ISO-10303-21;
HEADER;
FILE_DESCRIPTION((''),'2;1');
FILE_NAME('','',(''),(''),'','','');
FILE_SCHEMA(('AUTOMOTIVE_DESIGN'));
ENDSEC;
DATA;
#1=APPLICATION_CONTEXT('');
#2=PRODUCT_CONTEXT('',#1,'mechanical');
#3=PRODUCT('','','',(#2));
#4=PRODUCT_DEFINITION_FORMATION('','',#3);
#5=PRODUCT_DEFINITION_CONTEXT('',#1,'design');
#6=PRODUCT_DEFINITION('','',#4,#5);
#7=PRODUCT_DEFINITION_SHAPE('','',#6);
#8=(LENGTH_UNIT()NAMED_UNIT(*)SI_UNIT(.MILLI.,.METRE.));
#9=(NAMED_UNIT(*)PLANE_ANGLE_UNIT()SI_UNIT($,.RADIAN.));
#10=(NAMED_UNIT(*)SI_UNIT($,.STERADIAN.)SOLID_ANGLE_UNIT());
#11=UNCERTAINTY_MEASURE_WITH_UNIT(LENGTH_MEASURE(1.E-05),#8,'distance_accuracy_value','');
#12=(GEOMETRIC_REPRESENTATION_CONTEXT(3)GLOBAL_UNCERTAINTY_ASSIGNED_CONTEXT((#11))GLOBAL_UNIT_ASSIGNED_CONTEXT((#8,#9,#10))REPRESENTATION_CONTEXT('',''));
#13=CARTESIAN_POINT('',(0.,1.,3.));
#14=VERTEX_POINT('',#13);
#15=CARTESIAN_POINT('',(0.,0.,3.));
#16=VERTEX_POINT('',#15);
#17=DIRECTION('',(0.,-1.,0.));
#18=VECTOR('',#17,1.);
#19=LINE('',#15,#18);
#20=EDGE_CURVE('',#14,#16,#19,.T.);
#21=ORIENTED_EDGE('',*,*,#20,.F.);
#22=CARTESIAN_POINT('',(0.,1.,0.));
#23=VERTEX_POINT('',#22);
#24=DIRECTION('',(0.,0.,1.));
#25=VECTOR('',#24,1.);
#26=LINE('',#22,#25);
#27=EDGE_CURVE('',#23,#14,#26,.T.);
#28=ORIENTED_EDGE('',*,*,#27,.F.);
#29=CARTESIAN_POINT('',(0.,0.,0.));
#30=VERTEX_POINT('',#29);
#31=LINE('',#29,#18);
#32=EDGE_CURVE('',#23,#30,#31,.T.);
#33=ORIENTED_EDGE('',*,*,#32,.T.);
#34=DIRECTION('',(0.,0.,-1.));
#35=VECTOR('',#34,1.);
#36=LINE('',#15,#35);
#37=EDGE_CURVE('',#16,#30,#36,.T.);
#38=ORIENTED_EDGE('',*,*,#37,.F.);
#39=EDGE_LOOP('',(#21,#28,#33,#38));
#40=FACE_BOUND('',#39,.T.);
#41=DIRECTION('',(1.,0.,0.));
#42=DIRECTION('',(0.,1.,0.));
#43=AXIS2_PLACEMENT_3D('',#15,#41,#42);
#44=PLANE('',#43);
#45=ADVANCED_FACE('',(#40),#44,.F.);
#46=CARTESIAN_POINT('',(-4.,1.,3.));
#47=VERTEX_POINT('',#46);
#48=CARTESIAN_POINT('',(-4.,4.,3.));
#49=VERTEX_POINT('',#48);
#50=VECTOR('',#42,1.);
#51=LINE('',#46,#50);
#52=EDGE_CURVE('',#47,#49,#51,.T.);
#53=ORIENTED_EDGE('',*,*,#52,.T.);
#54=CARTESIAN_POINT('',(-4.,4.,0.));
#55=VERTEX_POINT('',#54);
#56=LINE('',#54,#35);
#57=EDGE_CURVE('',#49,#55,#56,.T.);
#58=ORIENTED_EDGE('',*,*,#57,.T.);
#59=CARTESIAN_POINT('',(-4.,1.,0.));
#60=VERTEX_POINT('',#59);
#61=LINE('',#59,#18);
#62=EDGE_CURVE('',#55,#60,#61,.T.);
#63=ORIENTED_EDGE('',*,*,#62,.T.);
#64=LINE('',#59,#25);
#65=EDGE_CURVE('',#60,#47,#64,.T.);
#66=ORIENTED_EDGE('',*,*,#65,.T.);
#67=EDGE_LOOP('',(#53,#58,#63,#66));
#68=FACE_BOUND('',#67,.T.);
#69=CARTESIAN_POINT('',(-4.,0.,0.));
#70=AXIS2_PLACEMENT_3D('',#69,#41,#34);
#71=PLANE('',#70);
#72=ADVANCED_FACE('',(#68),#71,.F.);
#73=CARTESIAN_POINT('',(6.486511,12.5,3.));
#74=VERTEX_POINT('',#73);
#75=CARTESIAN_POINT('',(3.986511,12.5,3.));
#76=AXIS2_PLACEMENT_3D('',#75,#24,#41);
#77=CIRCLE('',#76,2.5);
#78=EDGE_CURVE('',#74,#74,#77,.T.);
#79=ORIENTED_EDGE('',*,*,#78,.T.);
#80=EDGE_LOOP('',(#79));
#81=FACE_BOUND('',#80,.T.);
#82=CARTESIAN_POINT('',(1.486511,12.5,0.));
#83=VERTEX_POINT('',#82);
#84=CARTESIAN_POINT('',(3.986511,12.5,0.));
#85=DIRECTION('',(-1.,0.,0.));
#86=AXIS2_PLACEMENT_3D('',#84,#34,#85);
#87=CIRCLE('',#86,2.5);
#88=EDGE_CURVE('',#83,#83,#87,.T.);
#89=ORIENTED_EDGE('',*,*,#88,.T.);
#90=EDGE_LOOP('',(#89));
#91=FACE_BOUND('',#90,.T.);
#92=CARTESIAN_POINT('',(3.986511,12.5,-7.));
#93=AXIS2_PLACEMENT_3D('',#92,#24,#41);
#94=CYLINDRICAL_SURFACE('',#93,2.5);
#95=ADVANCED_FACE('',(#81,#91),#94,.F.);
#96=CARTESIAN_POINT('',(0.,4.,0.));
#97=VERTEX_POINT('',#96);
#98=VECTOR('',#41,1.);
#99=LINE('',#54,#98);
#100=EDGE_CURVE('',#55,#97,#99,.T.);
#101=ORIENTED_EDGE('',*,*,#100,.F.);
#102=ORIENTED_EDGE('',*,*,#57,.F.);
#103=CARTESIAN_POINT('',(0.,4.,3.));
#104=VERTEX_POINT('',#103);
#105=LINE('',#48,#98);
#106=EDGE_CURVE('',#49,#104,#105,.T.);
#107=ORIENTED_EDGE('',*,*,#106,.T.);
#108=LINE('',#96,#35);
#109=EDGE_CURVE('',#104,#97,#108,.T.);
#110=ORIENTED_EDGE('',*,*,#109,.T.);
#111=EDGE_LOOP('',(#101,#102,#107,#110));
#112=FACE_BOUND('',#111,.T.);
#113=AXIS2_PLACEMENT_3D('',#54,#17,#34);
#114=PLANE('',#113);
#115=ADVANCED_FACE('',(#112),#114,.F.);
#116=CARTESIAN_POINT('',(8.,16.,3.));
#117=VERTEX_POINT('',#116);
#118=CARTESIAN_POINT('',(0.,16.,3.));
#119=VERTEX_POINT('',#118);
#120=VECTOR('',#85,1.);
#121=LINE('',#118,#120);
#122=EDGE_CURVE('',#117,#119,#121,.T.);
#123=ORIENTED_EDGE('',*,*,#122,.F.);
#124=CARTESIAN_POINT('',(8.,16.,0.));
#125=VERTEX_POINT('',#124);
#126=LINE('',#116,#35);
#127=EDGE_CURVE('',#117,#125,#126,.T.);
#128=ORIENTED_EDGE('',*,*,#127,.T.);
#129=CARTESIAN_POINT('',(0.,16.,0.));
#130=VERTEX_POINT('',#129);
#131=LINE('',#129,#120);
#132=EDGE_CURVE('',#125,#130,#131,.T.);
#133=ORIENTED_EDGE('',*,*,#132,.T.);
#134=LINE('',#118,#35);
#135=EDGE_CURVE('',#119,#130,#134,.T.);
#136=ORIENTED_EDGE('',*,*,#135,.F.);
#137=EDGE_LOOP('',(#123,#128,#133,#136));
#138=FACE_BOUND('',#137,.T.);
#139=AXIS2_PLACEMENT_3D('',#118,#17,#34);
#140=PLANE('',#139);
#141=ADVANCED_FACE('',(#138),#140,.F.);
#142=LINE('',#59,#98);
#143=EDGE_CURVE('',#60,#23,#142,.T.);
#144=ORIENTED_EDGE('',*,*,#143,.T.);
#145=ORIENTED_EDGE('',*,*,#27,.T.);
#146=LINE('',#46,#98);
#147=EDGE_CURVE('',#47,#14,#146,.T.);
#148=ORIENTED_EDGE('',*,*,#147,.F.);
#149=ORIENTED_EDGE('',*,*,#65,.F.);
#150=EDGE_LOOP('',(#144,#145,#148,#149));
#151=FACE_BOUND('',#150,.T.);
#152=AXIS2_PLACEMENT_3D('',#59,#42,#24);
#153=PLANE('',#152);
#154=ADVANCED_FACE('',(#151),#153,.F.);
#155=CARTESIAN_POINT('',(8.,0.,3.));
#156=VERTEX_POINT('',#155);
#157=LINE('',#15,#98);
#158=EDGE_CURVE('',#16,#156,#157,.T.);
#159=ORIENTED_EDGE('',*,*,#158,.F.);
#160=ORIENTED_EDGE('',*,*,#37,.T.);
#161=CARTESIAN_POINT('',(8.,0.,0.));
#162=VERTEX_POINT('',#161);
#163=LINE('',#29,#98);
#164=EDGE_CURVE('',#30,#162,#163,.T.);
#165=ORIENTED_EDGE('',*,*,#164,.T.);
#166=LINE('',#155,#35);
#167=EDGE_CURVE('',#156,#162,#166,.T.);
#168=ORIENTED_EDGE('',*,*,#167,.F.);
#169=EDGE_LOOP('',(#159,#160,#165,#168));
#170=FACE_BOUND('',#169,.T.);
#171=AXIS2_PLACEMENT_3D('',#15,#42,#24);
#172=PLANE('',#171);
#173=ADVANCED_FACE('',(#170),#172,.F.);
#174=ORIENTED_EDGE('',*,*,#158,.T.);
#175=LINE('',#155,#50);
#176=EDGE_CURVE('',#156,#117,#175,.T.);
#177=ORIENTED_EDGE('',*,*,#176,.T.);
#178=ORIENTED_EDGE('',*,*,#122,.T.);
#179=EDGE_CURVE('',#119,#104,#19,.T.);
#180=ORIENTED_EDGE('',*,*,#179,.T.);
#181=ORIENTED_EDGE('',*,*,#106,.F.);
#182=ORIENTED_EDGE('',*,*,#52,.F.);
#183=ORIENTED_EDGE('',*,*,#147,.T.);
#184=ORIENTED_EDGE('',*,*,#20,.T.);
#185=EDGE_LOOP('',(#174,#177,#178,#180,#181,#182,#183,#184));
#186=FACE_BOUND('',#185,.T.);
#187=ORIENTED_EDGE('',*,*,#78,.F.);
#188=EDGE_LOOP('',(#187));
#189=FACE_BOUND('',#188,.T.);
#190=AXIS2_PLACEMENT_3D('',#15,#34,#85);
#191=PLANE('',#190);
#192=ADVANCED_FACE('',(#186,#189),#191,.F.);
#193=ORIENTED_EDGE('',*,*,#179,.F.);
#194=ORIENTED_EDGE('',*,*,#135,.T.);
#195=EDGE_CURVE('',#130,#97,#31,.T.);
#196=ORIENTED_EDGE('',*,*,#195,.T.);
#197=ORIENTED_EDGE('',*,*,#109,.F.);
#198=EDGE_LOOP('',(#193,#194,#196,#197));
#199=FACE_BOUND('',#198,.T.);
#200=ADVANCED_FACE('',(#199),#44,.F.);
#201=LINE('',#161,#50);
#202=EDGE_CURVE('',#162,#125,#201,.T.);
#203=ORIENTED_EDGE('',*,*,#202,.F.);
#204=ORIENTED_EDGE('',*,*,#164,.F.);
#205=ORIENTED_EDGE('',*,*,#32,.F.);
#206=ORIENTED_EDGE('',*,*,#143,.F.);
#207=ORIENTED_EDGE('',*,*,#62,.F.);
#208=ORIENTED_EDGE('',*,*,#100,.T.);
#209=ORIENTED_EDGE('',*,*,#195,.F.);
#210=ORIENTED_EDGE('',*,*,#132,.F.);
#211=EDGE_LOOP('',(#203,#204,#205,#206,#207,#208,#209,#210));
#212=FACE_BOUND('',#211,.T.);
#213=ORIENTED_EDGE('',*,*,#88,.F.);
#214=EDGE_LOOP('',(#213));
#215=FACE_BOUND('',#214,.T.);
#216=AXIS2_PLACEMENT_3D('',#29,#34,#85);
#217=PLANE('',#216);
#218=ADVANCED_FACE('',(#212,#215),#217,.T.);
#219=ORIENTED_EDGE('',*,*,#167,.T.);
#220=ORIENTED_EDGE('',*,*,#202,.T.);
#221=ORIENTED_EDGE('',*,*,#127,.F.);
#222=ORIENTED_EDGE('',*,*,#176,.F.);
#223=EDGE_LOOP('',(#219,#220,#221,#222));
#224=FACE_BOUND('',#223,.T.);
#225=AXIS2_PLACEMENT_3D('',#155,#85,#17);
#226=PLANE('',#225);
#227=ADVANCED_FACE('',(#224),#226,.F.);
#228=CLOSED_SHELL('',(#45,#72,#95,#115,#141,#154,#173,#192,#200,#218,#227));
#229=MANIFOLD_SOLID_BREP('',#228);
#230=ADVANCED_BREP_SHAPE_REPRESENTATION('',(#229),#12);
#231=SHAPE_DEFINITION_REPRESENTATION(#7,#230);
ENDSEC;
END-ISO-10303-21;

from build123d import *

# Parameters (mm, degrees)
SKETCH1_W           = 8
SKETCH1_H           = 16
BOSS_EXTRUDE1_DEPTH = 3
SKETCH3_R           = 2.5
CUT_EXTRUDE1_DEPTH  = 10
SKETCH2_W           = 3
SKETCH2_H           = 3
BOSS_EXTRUDE3_DEPTH = 4


with BuildPart() as part:
    # Sketch1 → Boss-Extrude1 (new body)
    with BuildSketch(Plane.XY):
        with Locations((4, 8)):
            Rectangle(SKETCH1_W, SKETCH1_H)
    extrude(amount=BOSS_EXTRUDE1_DEPTH)

    # Sketch3 → Cut-Extrude1 (cut)
    with BuildSketch(Plane.XY.offset(3)):
        with Locations((3.98651131, 12.5)):
            Circle(SKETCH3_R)
    extrude(amount=-CUT_EXTRUDE1_DEPTH, mode=Mode.SUBTRACT)

    # Sketch2 → Boss-Extrude3 (add)
    with BuildSketch(Plane.ZY):
        with Locations((1.5, 2.5)):
            Rectangle(SKETCH2_W, SKETCH2_H)
    extrude(amount=BOSS_EXTRUDE3_DEPTH)


solid = part.part
